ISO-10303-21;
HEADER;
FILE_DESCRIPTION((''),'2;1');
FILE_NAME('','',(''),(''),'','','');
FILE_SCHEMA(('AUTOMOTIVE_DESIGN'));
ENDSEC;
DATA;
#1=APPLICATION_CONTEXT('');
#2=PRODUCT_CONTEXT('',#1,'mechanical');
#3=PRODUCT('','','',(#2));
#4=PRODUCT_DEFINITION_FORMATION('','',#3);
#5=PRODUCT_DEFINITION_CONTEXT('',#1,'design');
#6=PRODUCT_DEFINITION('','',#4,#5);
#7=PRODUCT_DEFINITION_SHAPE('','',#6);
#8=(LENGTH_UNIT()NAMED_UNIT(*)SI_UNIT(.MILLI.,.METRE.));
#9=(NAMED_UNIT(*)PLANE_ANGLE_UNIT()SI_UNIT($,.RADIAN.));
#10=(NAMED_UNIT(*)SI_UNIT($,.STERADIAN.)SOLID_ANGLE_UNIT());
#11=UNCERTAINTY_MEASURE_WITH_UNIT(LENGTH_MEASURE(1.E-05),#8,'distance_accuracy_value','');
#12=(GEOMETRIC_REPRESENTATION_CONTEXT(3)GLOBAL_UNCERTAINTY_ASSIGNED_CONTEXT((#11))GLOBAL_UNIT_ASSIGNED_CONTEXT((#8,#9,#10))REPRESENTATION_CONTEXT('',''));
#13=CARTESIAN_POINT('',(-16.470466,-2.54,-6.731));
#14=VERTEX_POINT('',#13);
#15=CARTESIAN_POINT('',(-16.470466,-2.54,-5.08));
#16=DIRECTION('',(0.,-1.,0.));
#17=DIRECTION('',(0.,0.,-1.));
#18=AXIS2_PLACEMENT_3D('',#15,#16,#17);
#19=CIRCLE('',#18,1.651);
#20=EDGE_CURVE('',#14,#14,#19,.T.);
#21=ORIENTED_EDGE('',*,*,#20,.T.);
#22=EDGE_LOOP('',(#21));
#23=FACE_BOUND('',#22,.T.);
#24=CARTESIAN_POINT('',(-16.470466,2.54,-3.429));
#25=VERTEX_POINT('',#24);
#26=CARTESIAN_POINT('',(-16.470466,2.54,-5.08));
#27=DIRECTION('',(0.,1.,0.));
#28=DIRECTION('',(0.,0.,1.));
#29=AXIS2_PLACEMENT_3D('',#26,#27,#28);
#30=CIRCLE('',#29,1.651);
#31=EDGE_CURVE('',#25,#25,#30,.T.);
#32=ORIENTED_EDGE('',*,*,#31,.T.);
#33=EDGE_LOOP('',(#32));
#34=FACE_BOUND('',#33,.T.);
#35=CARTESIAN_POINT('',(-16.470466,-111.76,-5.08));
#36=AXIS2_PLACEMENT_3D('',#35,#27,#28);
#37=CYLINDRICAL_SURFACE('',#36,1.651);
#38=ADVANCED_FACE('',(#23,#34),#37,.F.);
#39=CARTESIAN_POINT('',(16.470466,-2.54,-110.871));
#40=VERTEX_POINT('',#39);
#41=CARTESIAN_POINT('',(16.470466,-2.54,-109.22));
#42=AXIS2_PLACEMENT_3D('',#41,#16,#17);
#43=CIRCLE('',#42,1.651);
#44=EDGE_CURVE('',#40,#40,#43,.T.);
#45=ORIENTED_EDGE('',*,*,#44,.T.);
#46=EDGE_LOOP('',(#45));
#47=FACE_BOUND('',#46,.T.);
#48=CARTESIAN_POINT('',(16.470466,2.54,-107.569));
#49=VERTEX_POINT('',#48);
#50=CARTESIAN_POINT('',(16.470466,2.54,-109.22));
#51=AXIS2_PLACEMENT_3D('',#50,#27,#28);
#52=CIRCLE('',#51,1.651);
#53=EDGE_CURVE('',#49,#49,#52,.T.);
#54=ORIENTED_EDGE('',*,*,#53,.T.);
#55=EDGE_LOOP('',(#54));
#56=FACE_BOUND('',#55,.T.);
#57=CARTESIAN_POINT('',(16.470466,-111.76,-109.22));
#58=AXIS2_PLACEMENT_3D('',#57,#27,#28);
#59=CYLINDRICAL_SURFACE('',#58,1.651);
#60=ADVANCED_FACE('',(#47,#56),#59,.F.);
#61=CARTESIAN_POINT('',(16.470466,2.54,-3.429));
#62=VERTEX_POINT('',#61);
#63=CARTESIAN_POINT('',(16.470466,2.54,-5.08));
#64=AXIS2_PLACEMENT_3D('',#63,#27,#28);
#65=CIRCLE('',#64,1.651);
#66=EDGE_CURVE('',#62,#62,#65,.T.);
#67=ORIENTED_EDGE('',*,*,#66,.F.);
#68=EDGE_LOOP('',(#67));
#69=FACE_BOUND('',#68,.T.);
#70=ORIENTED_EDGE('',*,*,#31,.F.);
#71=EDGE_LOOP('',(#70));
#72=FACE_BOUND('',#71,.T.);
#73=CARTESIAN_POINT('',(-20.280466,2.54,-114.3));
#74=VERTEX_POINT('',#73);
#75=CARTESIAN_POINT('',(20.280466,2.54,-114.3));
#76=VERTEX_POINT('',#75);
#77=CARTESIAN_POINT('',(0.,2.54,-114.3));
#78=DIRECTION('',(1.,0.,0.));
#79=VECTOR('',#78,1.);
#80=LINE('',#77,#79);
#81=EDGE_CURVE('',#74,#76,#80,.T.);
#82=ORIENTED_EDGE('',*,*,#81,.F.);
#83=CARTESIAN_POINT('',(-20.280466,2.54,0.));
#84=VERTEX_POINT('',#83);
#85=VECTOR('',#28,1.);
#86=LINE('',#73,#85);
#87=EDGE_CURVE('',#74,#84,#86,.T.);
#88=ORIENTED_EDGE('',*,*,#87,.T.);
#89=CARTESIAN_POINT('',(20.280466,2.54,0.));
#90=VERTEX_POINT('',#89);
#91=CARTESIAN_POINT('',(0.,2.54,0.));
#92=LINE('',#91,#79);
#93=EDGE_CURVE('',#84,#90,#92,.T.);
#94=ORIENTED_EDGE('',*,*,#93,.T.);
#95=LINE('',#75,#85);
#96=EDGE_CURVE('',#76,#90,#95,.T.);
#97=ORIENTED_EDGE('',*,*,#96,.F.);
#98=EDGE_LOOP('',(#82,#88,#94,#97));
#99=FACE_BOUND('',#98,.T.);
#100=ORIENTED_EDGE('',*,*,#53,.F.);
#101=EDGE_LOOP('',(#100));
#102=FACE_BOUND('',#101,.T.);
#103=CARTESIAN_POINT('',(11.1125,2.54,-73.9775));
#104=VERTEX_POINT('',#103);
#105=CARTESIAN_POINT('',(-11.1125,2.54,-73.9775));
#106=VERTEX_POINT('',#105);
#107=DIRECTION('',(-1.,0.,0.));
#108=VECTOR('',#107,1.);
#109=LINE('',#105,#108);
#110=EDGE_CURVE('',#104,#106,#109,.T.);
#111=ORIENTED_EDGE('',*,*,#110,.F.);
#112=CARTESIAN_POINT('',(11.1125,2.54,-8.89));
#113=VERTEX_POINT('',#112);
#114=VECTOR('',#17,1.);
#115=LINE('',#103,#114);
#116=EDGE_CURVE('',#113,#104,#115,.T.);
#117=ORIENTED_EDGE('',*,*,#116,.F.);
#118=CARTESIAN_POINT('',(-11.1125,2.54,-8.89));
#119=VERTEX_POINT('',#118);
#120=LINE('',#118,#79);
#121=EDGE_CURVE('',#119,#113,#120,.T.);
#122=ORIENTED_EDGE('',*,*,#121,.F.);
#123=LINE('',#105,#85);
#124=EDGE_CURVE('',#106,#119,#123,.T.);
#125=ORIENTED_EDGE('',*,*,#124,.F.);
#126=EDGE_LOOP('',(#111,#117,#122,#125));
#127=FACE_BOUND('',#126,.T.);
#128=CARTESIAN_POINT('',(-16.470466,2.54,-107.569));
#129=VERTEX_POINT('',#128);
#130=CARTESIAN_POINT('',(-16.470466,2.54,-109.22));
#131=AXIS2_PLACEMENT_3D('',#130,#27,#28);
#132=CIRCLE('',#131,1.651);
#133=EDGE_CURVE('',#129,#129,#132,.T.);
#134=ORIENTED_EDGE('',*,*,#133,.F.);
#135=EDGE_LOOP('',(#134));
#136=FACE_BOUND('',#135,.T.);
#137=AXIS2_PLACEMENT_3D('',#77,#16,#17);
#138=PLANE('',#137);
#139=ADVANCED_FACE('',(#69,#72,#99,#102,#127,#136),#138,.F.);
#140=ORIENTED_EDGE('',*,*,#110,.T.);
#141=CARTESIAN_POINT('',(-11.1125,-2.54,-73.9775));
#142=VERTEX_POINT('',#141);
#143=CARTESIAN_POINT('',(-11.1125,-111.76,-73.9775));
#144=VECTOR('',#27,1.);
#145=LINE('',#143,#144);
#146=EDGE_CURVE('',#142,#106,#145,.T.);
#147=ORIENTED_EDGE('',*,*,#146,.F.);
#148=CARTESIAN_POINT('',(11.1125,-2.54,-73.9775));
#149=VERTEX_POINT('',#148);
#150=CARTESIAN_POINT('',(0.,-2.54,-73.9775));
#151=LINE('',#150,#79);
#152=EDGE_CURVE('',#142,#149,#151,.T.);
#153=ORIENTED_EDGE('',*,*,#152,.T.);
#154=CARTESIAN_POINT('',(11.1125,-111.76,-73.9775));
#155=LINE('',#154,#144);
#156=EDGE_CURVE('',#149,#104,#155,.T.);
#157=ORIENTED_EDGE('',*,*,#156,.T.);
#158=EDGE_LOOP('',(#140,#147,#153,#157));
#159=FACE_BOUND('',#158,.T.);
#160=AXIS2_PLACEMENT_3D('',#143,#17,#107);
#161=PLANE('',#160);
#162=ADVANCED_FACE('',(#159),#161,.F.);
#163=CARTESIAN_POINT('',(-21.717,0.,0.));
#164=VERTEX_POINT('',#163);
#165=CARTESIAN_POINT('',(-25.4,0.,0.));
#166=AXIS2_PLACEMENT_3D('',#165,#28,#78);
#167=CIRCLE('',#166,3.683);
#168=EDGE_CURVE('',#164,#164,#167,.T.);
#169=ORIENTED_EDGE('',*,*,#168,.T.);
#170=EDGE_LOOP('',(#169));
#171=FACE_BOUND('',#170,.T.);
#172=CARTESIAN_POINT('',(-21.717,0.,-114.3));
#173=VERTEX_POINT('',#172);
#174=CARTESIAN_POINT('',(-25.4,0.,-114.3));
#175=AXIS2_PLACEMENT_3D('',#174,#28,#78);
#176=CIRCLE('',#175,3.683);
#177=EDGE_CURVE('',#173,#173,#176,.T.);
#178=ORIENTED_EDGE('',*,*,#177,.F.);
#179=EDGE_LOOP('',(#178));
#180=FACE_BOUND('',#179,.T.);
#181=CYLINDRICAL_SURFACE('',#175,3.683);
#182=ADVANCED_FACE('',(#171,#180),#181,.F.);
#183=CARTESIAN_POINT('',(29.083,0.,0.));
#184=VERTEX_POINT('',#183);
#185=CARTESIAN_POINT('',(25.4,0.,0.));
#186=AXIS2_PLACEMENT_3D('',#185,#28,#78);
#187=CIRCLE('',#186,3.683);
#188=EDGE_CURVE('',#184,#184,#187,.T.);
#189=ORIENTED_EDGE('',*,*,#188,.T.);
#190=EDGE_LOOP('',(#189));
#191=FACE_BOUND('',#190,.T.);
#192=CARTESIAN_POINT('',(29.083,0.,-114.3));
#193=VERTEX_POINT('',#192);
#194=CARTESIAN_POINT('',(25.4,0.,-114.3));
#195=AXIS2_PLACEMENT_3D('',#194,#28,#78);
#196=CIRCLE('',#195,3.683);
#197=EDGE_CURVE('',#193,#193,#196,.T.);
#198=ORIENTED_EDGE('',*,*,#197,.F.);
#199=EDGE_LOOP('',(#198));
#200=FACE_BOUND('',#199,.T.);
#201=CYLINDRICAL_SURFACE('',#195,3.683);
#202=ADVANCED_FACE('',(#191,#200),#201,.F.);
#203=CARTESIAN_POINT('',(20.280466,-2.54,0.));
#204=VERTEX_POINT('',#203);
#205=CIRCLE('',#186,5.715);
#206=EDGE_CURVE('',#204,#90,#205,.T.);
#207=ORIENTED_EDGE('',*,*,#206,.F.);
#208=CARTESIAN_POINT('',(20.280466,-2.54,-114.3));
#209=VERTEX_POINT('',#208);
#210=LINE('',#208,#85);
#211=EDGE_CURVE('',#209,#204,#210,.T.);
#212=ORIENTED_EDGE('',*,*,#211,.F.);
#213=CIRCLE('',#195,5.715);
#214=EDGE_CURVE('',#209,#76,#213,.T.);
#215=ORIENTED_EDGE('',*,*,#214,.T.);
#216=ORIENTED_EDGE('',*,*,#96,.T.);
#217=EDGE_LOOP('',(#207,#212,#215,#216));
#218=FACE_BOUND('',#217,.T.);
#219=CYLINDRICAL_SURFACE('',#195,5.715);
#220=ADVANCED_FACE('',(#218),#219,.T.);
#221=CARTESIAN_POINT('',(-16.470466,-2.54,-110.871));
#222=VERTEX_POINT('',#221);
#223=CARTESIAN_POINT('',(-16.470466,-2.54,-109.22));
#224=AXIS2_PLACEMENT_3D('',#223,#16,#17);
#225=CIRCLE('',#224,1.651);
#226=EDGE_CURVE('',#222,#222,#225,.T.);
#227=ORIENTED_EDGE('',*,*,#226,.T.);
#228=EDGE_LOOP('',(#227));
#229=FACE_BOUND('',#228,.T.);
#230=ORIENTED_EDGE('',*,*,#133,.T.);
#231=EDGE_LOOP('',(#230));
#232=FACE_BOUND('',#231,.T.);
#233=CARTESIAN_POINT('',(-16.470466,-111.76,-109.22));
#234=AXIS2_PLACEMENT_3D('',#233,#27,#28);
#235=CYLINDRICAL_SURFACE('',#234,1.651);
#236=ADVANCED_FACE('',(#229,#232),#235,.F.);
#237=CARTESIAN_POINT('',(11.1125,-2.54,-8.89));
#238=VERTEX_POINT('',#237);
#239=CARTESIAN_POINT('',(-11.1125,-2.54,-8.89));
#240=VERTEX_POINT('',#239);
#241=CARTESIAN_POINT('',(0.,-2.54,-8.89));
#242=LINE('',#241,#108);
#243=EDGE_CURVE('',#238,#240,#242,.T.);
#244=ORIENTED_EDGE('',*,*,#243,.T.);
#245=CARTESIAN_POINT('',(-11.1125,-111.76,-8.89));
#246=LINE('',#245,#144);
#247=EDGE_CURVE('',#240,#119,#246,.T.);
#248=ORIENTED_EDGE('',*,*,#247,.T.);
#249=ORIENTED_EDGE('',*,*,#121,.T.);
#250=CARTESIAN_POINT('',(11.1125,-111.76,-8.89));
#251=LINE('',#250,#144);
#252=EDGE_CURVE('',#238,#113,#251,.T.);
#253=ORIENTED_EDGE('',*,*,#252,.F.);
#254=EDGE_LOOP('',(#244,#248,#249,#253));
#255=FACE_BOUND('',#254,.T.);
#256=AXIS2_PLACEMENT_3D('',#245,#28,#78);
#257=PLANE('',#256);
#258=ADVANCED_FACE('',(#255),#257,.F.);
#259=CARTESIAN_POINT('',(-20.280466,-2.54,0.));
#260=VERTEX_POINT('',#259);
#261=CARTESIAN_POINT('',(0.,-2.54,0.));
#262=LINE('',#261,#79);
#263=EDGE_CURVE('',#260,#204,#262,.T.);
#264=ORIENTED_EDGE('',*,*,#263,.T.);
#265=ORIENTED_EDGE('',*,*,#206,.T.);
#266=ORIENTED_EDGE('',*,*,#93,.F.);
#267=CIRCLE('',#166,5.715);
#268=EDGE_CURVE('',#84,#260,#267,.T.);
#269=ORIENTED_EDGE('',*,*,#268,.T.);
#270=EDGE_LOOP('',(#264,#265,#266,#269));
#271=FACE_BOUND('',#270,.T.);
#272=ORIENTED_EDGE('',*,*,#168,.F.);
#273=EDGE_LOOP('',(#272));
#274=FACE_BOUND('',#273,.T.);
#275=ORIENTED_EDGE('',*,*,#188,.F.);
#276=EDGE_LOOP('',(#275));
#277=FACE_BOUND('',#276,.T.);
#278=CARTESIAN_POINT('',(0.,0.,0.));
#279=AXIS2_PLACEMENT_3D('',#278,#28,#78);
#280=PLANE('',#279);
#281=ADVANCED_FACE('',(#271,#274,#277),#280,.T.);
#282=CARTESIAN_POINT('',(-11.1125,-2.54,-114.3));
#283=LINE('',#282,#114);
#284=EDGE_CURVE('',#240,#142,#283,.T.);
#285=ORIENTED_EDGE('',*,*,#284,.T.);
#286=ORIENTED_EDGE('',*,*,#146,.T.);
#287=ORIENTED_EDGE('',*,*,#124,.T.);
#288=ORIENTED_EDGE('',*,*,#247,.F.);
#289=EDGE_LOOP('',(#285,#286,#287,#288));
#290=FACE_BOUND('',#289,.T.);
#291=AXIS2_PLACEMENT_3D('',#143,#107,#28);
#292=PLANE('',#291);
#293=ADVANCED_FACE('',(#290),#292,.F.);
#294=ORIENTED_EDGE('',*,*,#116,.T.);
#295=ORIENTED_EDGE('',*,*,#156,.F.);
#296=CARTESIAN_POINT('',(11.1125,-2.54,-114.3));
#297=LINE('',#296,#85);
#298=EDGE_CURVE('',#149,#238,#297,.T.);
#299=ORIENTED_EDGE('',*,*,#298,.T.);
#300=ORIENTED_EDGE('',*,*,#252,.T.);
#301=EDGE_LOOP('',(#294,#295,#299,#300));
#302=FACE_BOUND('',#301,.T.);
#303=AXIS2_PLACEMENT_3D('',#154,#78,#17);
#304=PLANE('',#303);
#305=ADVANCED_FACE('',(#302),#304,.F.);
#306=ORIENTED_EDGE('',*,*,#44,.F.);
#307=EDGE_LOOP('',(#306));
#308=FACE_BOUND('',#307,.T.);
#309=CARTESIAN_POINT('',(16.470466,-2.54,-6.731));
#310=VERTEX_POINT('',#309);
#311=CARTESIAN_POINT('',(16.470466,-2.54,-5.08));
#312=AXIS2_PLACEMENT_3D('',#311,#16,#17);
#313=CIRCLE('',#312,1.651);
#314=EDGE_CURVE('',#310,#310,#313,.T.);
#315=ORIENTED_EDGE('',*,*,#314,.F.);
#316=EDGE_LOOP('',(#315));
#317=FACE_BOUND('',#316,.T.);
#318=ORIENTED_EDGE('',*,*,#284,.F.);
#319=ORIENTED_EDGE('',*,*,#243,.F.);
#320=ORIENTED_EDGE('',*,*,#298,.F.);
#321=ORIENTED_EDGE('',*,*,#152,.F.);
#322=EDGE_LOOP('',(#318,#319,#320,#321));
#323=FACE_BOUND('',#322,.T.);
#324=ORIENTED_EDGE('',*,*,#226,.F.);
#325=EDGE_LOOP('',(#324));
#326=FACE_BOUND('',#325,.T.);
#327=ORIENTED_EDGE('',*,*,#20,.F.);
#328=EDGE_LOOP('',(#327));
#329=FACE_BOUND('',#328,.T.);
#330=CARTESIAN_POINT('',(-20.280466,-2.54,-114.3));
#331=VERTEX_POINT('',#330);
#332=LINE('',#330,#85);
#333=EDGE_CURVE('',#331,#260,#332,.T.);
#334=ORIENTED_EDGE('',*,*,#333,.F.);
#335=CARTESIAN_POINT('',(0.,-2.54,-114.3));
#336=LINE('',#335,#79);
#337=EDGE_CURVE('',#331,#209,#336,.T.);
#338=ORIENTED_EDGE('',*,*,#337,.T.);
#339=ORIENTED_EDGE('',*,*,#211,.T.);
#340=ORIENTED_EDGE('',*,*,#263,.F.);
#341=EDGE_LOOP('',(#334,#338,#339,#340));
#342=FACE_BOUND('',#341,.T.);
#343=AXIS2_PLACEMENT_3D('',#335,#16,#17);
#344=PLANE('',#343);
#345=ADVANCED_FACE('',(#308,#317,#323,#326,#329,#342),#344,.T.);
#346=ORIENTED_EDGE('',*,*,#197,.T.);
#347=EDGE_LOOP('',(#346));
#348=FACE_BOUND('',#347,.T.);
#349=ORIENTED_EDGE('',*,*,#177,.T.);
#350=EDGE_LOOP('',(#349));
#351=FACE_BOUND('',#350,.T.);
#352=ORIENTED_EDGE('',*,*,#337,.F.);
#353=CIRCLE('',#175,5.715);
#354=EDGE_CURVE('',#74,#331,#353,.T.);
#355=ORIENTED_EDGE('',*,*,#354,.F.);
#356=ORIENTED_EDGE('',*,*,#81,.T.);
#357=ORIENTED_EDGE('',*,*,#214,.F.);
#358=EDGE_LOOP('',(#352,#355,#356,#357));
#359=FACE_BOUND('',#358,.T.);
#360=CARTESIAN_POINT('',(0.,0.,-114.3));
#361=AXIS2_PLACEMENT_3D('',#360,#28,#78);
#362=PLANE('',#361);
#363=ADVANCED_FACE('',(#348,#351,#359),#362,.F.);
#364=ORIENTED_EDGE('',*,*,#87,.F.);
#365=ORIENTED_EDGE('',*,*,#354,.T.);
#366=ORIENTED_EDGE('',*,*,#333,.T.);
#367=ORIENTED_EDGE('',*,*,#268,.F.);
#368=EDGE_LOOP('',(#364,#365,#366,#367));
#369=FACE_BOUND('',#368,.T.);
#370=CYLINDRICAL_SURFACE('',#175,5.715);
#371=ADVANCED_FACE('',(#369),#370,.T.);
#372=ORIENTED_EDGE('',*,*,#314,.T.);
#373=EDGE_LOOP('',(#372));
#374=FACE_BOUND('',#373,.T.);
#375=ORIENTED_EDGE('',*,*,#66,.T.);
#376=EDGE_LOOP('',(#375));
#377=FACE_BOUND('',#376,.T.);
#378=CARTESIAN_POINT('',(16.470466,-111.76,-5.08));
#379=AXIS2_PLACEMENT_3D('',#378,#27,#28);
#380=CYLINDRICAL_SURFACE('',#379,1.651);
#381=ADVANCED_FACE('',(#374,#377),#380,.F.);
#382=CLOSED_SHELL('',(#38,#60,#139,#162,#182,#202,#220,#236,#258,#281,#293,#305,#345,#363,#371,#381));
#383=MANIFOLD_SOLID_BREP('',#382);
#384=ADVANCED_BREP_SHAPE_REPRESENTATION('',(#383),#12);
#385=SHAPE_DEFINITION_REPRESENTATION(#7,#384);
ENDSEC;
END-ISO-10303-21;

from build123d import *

# Parameters (mm, degrees)
SKETCH1_R           = 3.683
BOSS_EXTRUDE1_DEPTH = 114.3
SKETCH2_R           = 1.651
SKETCH2_W           = 22.225
SKETCH2_H           = 65.0875
CUT_EXTRUDE1_DEPTH  = 114.3


with BuildPart() as part:
    # Sketch1 → Boss-Extrude1 (new body)
    with BuildSketch(Plane.XY):
        with BuildLine():
            ThreePointArc((-20.28046633, 2.54), (-31.115, 0), (-20.28046633, -2.54))
            Line((-20.28046633, -2.54), (20.28046633, -2.54))
            ThreePointArc((20.28046633, -2.54), (31.115, 0), (20.28046633, 2.54))
            Line((20.28046633, 2.54), (-20.28046633, 2.54))
        make_face()
        with Locations((-25.4, 0)):
            Circle(SKETCH1_R, mode=Mode.SUBTRACT)
        with Locations((25.4, 0)):
            Circle(SKETCH1_R, mode=Mode.SUBTRACT)
    extrude(amount=-BOSS_EXTRUDE1_DEPTH)

    # Sketch2 → Cut-Extrude1 (cut)
    with BuildSketch(Plane(origin=(0, 2.54, 0), x_dir=(1, 0, 0), z_dir=(0, 1, 0))):
        with Locations(Location((-16.47046633, 109.22, 0), (0, 0, 270))):
            Circle(SKETCH2_R)
        with Locations(Location((16.47046633, 109.22, 0), (0, 0, 270))):
            Circle(SKETCH2_R)
        with Locations(Location((-16.47046633, 5.08, 0), (0, 0, 270))):
            Circle(SKETCH2_R)
        with Locations(Location((16.47046633, 5.08, 0), (0, 0, 270))):
            Circle(SKETCH2_R)
        with Locations((0, 41.43375)):
            Rectangle(SKETCH2_W, SKETCH2_H)
    extrude(amount=-CUT_EXTRUDE1_DEPTH, mode=Mode.SUBTRACT)


solid = part.part
